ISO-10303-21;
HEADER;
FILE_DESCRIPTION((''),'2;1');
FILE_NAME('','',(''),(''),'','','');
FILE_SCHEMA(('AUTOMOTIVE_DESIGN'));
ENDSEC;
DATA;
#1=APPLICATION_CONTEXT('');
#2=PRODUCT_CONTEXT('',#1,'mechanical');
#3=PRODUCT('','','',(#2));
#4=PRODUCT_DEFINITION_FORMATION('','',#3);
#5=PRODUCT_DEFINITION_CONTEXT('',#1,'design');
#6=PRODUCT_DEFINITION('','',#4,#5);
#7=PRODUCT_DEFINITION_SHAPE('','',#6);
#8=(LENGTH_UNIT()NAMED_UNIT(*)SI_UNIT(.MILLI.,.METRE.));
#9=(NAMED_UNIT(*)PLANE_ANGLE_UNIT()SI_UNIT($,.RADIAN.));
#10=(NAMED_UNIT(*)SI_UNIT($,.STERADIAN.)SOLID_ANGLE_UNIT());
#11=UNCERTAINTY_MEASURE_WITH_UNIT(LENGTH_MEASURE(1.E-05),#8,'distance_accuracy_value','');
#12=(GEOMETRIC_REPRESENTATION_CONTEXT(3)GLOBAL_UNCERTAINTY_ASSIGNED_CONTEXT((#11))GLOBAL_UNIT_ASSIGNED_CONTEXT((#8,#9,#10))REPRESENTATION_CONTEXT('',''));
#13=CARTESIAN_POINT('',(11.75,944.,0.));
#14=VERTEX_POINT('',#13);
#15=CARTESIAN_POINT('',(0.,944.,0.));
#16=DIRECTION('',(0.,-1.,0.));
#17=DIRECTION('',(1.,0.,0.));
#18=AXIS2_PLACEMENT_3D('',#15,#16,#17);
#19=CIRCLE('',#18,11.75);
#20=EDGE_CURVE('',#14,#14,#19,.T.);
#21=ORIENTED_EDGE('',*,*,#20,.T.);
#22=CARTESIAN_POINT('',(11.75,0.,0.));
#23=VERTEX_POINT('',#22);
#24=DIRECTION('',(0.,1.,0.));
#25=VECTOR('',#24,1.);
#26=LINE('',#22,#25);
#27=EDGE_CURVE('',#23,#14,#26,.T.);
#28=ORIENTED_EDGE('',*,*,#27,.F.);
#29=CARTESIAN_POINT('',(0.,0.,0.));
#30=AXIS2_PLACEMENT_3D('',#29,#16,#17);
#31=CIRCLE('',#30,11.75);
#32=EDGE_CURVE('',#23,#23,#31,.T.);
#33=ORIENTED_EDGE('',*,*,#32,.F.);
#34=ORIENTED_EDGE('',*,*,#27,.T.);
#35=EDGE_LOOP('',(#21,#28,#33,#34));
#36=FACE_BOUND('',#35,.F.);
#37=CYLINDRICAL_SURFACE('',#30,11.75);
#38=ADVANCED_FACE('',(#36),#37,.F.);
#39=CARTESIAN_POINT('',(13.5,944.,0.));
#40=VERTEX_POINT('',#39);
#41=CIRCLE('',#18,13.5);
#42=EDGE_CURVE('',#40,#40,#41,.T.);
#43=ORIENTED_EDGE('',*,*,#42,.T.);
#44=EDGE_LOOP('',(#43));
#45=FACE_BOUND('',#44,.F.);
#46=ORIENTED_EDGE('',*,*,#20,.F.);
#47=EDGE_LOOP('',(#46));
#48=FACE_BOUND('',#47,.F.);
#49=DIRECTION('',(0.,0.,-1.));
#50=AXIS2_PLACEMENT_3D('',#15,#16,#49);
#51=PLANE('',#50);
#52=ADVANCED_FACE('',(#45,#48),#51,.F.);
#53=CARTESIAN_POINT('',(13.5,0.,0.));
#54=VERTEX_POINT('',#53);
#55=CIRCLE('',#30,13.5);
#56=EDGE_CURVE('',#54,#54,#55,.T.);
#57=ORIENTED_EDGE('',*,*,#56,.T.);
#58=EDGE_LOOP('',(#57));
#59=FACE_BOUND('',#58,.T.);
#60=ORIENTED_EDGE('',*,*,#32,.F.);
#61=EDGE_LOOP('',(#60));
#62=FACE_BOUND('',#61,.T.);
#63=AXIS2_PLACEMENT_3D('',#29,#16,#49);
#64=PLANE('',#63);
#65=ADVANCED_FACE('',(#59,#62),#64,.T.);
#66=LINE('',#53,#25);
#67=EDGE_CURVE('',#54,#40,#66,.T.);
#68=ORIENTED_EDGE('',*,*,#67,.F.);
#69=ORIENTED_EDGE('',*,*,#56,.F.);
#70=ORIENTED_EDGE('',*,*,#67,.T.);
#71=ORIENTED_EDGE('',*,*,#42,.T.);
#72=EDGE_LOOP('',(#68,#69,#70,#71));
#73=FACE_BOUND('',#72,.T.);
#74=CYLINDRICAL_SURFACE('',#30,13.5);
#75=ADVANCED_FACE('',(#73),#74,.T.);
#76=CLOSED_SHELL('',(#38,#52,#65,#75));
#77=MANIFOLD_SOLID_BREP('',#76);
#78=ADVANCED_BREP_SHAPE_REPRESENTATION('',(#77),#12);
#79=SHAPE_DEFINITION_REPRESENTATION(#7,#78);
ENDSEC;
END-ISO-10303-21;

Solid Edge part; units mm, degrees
sketch "Sketch1" plane through (0, 0, 0) normal (0, -1, 0) x (1, 0, 0)
  circle A0 centre (0, 0) radius 13.5
  circle A1 centre (0, 0) radius 11.75
extrude "Protrusion1" add sketch "Sketch1" against normal blind 944
